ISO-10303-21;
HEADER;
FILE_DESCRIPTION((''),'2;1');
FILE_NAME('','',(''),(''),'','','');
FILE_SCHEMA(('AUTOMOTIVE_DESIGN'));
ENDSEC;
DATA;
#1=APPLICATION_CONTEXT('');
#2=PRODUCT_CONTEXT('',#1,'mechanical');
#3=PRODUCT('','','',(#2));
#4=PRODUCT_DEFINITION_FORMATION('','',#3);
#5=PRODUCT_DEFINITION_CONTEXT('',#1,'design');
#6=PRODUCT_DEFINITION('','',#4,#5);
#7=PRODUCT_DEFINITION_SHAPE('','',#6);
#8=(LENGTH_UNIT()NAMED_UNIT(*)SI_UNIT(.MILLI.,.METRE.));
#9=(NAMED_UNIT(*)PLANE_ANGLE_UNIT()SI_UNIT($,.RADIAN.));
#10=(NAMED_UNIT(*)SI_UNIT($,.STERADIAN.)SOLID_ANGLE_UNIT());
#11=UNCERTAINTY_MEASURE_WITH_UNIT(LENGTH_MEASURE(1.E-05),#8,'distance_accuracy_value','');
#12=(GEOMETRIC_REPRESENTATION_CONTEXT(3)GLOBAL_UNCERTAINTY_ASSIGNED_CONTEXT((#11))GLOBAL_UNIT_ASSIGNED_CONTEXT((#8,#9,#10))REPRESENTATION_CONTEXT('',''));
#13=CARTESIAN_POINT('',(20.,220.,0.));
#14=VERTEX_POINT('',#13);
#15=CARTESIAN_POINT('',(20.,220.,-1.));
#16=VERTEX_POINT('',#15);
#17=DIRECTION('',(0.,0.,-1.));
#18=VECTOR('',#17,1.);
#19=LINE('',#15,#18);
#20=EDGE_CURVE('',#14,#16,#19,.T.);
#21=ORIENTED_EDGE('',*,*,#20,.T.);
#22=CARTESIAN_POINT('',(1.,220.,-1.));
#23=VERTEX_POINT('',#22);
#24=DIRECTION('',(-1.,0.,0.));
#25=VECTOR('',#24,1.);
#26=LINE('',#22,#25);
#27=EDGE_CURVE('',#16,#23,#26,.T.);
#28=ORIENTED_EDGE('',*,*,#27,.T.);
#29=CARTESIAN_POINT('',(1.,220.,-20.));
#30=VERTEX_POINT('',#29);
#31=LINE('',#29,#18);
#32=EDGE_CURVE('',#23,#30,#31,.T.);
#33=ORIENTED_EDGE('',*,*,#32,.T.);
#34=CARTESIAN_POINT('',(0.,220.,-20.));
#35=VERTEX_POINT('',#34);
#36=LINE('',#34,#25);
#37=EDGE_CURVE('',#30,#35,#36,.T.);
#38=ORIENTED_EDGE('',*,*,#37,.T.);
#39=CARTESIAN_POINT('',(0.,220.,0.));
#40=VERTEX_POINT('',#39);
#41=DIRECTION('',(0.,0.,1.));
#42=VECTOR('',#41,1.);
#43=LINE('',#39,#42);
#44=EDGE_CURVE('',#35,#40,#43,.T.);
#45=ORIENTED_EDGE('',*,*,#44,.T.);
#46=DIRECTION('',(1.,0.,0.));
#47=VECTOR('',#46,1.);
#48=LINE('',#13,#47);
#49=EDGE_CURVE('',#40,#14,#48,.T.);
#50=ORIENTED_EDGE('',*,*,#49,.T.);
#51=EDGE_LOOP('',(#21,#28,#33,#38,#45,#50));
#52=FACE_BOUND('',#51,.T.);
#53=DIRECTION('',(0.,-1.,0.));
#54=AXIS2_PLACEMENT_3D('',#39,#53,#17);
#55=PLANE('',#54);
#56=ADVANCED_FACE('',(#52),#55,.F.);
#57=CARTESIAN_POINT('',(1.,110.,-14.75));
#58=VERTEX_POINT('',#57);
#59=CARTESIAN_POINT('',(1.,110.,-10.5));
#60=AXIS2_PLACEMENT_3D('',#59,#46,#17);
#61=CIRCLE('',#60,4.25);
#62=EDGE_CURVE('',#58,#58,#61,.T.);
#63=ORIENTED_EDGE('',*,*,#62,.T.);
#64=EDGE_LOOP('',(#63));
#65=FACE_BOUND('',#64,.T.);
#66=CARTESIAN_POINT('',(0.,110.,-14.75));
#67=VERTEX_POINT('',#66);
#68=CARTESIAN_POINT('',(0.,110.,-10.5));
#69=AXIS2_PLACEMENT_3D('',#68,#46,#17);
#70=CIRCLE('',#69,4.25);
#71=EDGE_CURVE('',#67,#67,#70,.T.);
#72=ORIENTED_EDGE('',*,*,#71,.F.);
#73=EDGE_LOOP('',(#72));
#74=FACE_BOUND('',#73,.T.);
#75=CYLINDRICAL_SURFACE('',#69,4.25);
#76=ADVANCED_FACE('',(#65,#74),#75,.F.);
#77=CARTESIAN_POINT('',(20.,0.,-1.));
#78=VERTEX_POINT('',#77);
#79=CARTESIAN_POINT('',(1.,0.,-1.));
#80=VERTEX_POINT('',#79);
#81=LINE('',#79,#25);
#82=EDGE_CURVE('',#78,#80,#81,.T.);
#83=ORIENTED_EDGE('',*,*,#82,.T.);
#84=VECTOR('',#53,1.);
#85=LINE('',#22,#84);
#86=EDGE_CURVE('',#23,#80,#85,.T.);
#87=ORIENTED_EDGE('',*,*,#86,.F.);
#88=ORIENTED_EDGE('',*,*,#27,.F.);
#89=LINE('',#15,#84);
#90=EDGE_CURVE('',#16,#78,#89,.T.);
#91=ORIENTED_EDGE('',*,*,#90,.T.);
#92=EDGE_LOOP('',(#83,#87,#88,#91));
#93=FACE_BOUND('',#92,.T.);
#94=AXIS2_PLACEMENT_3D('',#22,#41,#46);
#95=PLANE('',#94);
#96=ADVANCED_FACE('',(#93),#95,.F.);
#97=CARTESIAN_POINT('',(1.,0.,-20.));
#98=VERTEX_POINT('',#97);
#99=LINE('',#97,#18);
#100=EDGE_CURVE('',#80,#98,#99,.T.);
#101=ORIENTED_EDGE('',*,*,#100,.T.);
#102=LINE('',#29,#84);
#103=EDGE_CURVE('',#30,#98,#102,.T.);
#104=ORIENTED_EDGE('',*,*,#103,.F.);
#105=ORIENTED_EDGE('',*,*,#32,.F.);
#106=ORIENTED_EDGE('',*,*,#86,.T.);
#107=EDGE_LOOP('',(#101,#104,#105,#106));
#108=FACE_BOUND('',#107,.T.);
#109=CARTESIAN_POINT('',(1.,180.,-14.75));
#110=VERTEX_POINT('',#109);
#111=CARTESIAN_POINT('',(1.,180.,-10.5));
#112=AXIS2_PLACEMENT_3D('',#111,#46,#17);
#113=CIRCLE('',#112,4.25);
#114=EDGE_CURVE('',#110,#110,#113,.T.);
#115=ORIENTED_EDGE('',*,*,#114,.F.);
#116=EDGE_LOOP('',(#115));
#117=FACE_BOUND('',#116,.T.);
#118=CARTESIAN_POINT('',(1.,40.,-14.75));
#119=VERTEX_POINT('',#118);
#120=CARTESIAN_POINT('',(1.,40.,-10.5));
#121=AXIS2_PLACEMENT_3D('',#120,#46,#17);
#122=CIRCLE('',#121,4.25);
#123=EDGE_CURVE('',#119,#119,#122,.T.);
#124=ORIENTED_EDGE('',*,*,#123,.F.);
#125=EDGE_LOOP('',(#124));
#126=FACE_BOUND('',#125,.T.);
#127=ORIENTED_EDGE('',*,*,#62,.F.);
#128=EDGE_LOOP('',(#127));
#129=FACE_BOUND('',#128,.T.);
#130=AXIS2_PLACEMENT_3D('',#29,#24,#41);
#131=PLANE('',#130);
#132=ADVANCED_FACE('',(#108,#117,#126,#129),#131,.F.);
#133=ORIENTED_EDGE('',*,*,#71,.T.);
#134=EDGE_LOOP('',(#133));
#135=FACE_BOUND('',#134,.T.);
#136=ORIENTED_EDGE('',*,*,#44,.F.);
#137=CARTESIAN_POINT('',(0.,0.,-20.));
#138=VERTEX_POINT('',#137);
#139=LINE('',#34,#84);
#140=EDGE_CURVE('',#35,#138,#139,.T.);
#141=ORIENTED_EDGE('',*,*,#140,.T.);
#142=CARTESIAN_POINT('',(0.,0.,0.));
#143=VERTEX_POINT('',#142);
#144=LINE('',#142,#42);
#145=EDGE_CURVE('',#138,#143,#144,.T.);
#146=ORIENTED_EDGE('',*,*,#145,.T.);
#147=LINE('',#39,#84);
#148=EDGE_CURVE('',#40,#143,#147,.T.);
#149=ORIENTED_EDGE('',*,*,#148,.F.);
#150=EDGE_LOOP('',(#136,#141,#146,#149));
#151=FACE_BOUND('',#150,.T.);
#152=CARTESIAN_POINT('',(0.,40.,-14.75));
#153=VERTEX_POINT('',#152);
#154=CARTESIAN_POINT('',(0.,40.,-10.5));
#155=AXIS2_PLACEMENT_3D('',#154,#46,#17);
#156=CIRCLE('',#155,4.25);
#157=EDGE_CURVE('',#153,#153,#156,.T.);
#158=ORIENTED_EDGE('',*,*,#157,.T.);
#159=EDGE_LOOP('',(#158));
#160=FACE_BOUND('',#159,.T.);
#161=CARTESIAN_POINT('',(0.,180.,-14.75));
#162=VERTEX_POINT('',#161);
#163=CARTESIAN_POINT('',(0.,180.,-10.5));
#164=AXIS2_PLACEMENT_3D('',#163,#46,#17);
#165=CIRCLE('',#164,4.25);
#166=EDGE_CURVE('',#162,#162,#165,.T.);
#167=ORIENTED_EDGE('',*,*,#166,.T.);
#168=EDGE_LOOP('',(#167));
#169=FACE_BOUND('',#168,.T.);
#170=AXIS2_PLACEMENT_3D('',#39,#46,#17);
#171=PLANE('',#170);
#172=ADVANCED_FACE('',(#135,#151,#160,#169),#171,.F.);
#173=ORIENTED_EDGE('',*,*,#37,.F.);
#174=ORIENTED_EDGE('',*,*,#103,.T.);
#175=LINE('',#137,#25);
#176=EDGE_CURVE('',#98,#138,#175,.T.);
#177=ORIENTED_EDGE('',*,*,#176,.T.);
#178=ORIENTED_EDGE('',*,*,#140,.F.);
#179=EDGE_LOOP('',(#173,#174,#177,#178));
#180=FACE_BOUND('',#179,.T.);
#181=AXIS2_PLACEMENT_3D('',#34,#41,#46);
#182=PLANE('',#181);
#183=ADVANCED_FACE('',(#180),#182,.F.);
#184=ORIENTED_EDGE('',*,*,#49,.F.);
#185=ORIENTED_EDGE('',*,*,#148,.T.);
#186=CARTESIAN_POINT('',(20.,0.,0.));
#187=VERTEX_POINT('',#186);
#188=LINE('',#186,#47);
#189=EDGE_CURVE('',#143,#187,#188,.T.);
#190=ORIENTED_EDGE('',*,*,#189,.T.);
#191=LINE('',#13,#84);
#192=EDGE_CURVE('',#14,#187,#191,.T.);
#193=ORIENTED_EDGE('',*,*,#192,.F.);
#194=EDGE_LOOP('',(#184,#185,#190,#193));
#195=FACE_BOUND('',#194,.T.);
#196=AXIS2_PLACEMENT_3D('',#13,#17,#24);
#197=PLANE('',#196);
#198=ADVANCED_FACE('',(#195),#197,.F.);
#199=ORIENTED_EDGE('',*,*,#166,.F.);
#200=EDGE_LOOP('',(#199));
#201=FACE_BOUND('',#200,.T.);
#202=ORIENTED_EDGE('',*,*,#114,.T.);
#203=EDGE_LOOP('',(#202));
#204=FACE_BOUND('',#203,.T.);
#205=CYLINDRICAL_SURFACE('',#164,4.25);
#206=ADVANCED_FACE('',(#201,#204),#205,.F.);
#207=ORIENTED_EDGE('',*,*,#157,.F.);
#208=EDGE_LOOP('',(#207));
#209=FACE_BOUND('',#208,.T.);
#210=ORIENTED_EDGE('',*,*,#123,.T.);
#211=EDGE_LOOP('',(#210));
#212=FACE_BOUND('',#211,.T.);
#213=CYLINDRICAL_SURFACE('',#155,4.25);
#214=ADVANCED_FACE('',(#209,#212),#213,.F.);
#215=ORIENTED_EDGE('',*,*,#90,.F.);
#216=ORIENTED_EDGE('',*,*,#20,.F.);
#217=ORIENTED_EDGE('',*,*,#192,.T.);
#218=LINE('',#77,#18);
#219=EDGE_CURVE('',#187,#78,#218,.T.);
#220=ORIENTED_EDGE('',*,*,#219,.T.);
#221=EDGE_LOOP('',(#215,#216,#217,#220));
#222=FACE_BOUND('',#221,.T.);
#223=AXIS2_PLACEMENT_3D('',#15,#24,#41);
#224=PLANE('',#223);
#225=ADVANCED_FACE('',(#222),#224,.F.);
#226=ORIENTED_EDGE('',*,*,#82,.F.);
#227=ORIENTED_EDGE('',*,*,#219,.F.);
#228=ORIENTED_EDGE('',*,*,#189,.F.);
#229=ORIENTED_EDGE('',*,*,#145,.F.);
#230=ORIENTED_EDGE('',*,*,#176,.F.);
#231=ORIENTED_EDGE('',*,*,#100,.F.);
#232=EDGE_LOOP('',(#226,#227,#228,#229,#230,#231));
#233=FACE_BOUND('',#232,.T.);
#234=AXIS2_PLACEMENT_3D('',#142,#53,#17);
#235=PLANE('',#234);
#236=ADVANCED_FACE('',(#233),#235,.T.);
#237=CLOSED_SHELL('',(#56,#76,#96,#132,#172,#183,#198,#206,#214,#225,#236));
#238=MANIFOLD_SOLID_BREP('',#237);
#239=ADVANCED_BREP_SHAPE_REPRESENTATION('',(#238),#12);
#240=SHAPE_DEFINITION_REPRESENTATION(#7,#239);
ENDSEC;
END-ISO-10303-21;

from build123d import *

# Parameters (mm, degrees)
EXTRUDE_1_DEPTH     = 220
SKETCH_2_R          = 4.25
CUT_EXTRUDE_1_DEPTH = 2


with BuildPart() as part:
    # Эскиз1 → Бобышка-Вытянуть1 (new body)
    with BuildSketch(Plane(origin=(0, 0, 0), x_dir=(1, 0, 0), z_dir=(0, 1, 0))):
        Polygon((0, 0), (0, 20), (1, 20), (1, 1), (20, 1), (20, 0), align=None)
    extrude(amount=EXTRUDE_1_DEPTH)

    # Эскиз2 → Вырез-Вытянуть1 (cut, through all)
    with BuildSketch(Plane(origin=(1, 0, 0), x_dir=(0, 0, -1), z_dir=(1, 0, 0))):
        with Locations((10.5, 180)):
            Circle(SKETCH_2_R)
        with Locations((10.5, 110)):
            Circle(SKETCH_2_R)
        with Locations((10.5, 40)):
            Circle(SKETCH_2_R)
    extrude(amount=-CUT_EXTRUDE_1_DEPTH, mode=Mode.SUBTRACT)


solid = part.part
